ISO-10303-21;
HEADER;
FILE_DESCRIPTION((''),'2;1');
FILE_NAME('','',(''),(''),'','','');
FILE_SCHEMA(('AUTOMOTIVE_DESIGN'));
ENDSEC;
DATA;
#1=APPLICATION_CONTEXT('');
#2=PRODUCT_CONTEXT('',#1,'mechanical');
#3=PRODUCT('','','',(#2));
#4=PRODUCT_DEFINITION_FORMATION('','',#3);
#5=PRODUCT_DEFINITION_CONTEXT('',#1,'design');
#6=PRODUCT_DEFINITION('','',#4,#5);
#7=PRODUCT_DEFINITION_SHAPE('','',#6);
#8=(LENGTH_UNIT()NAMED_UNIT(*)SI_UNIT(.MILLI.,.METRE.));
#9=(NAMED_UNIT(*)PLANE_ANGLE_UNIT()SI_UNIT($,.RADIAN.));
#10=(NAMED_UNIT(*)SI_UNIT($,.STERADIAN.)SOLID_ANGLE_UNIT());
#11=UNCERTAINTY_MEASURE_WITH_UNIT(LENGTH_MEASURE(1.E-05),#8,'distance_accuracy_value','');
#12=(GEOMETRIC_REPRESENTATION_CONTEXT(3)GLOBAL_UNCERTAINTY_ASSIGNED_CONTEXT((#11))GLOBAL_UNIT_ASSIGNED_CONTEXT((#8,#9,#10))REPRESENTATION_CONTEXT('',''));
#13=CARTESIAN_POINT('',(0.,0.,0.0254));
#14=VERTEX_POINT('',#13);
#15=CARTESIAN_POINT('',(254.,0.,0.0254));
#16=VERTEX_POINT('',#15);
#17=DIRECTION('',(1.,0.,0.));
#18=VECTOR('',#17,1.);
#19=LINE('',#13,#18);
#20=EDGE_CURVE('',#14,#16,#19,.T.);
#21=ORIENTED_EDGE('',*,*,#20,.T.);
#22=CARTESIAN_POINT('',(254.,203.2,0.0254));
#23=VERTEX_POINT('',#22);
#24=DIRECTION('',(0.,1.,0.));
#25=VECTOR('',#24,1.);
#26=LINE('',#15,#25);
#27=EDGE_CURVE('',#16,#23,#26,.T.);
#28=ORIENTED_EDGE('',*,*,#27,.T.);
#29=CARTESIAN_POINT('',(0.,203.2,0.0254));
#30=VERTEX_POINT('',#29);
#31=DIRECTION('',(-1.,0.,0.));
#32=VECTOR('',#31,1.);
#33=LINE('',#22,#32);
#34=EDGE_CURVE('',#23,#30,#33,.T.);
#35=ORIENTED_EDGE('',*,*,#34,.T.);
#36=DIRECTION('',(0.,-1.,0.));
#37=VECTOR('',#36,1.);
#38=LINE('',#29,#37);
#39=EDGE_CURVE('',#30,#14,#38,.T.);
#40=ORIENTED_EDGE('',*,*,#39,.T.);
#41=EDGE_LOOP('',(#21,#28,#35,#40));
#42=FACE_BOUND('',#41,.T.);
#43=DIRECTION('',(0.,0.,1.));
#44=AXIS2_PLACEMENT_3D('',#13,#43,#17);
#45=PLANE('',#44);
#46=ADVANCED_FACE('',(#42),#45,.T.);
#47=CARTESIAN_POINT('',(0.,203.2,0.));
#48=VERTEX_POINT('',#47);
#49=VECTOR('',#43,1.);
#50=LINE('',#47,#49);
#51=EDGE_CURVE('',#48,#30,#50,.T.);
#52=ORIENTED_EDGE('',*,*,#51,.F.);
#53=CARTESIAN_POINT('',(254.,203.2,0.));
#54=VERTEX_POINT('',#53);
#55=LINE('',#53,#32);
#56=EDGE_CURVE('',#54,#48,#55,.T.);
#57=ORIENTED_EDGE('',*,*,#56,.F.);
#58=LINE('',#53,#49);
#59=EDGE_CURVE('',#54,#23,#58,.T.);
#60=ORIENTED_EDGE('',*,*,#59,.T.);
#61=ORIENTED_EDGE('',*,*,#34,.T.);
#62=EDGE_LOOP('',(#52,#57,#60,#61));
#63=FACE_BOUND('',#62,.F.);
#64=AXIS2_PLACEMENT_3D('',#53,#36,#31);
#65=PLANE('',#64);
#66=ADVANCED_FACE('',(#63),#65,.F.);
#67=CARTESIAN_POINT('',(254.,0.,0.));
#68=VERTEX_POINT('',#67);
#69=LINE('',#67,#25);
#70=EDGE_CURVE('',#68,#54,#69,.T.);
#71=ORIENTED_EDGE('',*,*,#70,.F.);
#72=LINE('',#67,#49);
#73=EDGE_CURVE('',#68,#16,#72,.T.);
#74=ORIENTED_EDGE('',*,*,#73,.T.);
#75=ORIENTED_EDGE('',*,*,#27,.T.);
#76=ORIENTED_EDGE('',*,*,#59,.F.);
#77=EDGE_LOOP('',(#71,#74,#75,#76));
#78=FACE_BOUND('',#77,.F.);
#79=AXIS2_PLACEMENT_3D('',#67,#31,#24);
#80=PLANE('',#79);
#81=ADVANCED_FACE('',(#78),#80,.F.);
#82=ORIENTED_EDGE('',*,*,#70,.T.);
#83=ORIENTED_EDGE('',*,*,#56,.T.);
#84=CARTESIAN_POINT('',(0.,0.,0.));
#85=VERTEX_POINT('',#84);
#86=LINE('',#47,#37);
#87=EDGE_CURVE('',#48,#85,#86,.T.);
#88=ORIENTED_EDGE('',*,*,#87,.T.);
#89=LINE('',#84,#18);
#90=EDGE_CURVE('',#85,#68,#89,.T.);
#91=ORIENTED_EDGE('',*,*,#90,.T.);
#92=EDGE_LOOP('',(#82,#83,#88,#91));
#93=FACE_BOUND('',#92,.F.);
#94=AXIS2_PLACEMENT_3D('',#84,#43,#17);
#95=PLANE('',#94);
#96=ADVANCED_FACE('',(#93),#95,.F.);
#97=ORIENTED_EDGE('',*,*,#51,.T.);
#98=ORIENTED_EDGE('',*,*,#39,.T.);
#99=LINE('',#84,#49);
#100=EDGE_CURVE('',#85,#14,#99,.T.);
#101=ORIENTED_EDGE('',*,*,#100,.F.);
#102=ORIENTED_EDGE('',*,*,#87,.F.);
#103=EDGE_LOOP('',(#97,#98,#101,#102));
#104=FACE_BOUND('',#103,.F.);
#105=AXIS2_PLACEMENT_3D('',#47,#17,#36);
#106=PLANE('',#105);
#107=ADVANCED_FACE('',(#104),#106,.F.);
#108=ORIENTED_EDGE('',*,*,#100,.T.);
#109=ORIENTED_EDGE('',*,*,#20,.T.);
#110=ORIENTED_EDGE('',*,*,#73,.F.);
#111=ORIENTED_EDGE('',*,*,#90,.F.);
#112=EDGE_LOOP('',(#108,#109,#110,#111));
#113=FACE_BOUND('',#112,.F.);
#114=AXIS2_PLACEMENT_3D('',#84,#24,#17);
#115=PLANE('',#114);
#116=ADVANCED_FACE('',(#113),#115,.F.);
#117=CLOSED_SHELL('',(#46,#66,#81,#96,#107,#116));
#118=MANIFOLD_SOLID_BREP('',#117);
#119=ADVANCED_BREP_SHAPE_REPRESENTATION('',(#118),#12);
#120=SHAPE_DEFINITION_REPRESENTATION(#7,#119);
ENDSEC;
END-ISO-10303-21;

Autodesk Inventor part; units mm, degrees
ref_plane "YZ Plane" through (0, 0, 0) normal (1, 0, 0) x (0, 1, 0)
ref_plane "XZ Plane" through (0, 0, 0) normal (0, 1, 0) x (-1, 0, 0)
ref_plane "XY Plane" through (0, 0, 0) normal (0, 0, 1) x (1, 0, 0)
sketch "Sketch1" plane through (0, 0, 0) normal (0, 0, 1) x (1, 0, 0)
  point P0 (0, 0)
sketch "Sketch2" plane through (0, 0, 0) normal (0, 0, 1) x (1, 0, 0)
  line L0 (0, 0) -> (254, 0)
  line L1 (254, 0) -> (254, 203.2)
  line L2 (254, 203.2) -> (0, 203.2)
  line L3 (0, 203.2) -> (0, 0)
  dimension "d0" = 254
  dimension "d1" = 203.2
extrude "Extrusion1" add sketch "Sketch2" along normal blind 0.0254
sketch "Sketch3" plane through (0, 0, 0.0254) normal (0, 0, 1) x (1, 0, 0)
  line L0 (5.5324, 195.9036) -> (248.5473, 195.9036) construction
  line L1 (248.5473, 195.9036) -> (248.5473, 8.8207) construction
  line L2 (248.5473, 8.8207) -> (5.5324, 8.8207) construction
  line L3 (5.5324, 8.8207) -> (5.5324, 195.9036) construction
  point P0 (0, 0)
properties part number "picture"
